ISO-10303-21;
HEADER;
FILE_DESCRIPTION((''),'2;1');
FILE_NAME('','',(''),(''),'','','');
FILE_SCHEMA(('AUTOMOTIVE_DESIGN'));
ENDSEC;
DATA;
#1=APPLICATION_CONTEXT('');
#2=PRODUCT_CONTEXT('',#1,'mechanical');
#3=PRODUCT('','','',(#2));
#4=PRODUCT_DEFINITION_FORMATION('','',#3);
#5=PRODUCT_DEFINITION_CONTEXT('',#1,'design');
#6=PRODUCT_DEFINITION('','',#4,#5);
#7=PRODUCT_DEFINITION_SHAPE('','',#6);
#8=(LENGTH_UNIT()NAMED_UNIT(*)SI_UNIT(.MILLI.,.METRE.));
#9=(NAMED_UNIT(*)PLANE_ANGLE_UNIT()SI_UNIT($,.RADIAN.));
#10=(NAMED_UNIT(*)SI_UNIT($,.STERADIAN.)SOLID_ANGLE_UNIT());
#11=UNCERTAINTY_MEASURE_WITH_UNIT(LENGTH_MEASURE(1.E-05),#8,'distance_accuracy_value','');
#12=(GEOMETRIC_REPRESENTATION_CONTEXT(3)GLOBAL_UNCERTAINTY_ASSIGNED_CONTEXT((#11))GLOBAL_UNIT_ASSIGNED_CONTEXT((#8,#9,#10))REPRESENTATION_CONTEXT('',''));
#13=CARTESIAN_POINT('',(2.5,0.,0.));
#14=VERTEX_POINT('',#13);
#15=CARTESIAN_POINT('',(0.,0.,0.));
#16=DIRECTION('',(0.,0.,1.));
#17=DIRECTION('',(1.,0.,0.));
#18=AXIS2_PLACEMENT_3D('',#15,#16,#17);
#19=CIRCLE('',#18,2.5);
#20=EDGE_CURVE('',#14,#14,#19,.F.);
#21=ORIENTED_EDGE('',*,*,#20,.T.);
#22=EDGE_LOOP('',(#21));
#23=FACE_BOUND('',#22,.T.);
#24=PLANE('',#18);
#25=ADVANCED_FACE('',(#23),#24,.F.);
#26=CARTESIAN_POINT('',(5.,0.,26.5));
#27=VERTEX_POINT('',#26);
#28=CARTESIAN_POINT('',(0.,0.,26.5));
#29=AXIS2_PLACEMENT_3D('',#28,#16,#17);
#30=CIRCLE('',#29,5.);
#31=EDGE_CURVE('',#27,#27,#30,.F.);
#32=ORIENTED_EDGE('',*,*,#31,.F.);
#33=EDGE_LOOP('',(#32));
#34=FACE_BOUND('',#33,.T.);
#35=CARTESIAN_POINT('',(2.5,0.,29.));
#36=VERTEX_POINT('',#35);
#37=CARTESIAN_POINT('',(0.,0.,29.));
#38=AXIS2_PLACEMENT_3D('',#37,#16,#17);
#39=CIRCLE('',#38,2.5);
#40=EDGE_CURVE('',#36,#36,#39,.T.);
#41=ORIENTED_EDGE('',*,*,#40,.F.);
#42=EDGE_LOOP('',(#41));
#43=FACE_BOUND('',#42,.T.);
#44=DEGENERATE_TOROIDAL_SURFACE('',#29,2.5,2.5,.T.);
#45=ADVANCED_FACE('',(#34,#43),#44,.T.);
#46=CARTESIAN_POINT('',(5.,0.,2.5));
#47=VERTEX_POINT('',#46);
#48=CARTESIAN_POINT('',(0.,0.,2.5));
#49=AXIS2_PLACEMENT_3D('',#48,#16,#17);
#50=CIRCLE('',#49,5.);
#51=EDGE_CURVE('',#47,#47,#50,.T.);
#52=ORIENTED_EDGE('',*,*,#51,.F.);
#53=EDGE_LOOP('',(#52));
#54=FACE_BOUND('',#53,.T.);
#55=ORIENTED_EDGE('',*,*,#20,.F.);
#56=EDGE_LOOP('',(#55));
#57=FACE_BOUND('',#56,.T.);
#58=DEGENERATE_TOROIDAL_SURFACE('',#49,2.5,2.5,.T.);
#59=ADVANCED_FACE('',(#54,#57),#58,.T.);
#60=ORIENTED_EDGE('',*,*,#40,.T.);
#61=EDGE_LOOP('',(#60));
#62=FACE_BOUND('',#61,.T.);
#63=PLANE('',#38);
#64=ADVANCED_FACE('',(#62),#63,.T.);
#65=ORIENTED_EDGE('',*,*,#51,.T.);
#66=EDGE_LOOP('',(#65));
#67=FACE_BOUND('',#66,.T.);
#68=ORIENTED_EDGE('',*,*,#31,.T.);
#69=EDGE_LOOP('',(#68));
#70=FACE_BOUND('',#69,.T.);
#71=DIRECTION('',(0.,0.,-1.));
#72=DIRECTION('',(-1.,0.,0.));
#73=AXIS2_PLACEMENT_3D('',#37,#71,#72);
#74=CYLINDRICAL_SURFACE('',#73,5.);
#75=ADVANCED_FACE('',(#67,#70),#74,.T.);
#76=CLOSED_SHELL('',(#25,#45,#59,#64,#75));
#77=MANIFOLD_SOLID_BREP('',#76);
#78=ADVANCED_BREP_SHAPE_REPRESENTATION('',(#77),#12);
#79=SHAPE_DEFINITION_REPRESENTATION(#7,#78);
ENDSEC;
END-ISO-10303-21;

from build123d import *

# Parameters (mm, degrees)
CROQUIS2_R              = 5
SALIENTE_EXTRUIR1_DEPTH = 29
REDONDEO3_R             = 2.5


with BuildPart() as part:
    # Croquis2 → Saliente-Extruir1 (new body)
    with BuildSketch(Plane.XY):
        Circle(CROQUIS2_R)
    extrude(amount=SALIENTE_EXTRUIR1_DEPTH)

    # Redondeo3
    redondeo3_edges = [part.edges().sort_by_distance(p)[0] for p in [
        (-5, 0, 0),
        (-5, 0, 29),
    ]]
    fillet(redondeo3_edges, radius=REDONDEO3_R)


solid = part.part
